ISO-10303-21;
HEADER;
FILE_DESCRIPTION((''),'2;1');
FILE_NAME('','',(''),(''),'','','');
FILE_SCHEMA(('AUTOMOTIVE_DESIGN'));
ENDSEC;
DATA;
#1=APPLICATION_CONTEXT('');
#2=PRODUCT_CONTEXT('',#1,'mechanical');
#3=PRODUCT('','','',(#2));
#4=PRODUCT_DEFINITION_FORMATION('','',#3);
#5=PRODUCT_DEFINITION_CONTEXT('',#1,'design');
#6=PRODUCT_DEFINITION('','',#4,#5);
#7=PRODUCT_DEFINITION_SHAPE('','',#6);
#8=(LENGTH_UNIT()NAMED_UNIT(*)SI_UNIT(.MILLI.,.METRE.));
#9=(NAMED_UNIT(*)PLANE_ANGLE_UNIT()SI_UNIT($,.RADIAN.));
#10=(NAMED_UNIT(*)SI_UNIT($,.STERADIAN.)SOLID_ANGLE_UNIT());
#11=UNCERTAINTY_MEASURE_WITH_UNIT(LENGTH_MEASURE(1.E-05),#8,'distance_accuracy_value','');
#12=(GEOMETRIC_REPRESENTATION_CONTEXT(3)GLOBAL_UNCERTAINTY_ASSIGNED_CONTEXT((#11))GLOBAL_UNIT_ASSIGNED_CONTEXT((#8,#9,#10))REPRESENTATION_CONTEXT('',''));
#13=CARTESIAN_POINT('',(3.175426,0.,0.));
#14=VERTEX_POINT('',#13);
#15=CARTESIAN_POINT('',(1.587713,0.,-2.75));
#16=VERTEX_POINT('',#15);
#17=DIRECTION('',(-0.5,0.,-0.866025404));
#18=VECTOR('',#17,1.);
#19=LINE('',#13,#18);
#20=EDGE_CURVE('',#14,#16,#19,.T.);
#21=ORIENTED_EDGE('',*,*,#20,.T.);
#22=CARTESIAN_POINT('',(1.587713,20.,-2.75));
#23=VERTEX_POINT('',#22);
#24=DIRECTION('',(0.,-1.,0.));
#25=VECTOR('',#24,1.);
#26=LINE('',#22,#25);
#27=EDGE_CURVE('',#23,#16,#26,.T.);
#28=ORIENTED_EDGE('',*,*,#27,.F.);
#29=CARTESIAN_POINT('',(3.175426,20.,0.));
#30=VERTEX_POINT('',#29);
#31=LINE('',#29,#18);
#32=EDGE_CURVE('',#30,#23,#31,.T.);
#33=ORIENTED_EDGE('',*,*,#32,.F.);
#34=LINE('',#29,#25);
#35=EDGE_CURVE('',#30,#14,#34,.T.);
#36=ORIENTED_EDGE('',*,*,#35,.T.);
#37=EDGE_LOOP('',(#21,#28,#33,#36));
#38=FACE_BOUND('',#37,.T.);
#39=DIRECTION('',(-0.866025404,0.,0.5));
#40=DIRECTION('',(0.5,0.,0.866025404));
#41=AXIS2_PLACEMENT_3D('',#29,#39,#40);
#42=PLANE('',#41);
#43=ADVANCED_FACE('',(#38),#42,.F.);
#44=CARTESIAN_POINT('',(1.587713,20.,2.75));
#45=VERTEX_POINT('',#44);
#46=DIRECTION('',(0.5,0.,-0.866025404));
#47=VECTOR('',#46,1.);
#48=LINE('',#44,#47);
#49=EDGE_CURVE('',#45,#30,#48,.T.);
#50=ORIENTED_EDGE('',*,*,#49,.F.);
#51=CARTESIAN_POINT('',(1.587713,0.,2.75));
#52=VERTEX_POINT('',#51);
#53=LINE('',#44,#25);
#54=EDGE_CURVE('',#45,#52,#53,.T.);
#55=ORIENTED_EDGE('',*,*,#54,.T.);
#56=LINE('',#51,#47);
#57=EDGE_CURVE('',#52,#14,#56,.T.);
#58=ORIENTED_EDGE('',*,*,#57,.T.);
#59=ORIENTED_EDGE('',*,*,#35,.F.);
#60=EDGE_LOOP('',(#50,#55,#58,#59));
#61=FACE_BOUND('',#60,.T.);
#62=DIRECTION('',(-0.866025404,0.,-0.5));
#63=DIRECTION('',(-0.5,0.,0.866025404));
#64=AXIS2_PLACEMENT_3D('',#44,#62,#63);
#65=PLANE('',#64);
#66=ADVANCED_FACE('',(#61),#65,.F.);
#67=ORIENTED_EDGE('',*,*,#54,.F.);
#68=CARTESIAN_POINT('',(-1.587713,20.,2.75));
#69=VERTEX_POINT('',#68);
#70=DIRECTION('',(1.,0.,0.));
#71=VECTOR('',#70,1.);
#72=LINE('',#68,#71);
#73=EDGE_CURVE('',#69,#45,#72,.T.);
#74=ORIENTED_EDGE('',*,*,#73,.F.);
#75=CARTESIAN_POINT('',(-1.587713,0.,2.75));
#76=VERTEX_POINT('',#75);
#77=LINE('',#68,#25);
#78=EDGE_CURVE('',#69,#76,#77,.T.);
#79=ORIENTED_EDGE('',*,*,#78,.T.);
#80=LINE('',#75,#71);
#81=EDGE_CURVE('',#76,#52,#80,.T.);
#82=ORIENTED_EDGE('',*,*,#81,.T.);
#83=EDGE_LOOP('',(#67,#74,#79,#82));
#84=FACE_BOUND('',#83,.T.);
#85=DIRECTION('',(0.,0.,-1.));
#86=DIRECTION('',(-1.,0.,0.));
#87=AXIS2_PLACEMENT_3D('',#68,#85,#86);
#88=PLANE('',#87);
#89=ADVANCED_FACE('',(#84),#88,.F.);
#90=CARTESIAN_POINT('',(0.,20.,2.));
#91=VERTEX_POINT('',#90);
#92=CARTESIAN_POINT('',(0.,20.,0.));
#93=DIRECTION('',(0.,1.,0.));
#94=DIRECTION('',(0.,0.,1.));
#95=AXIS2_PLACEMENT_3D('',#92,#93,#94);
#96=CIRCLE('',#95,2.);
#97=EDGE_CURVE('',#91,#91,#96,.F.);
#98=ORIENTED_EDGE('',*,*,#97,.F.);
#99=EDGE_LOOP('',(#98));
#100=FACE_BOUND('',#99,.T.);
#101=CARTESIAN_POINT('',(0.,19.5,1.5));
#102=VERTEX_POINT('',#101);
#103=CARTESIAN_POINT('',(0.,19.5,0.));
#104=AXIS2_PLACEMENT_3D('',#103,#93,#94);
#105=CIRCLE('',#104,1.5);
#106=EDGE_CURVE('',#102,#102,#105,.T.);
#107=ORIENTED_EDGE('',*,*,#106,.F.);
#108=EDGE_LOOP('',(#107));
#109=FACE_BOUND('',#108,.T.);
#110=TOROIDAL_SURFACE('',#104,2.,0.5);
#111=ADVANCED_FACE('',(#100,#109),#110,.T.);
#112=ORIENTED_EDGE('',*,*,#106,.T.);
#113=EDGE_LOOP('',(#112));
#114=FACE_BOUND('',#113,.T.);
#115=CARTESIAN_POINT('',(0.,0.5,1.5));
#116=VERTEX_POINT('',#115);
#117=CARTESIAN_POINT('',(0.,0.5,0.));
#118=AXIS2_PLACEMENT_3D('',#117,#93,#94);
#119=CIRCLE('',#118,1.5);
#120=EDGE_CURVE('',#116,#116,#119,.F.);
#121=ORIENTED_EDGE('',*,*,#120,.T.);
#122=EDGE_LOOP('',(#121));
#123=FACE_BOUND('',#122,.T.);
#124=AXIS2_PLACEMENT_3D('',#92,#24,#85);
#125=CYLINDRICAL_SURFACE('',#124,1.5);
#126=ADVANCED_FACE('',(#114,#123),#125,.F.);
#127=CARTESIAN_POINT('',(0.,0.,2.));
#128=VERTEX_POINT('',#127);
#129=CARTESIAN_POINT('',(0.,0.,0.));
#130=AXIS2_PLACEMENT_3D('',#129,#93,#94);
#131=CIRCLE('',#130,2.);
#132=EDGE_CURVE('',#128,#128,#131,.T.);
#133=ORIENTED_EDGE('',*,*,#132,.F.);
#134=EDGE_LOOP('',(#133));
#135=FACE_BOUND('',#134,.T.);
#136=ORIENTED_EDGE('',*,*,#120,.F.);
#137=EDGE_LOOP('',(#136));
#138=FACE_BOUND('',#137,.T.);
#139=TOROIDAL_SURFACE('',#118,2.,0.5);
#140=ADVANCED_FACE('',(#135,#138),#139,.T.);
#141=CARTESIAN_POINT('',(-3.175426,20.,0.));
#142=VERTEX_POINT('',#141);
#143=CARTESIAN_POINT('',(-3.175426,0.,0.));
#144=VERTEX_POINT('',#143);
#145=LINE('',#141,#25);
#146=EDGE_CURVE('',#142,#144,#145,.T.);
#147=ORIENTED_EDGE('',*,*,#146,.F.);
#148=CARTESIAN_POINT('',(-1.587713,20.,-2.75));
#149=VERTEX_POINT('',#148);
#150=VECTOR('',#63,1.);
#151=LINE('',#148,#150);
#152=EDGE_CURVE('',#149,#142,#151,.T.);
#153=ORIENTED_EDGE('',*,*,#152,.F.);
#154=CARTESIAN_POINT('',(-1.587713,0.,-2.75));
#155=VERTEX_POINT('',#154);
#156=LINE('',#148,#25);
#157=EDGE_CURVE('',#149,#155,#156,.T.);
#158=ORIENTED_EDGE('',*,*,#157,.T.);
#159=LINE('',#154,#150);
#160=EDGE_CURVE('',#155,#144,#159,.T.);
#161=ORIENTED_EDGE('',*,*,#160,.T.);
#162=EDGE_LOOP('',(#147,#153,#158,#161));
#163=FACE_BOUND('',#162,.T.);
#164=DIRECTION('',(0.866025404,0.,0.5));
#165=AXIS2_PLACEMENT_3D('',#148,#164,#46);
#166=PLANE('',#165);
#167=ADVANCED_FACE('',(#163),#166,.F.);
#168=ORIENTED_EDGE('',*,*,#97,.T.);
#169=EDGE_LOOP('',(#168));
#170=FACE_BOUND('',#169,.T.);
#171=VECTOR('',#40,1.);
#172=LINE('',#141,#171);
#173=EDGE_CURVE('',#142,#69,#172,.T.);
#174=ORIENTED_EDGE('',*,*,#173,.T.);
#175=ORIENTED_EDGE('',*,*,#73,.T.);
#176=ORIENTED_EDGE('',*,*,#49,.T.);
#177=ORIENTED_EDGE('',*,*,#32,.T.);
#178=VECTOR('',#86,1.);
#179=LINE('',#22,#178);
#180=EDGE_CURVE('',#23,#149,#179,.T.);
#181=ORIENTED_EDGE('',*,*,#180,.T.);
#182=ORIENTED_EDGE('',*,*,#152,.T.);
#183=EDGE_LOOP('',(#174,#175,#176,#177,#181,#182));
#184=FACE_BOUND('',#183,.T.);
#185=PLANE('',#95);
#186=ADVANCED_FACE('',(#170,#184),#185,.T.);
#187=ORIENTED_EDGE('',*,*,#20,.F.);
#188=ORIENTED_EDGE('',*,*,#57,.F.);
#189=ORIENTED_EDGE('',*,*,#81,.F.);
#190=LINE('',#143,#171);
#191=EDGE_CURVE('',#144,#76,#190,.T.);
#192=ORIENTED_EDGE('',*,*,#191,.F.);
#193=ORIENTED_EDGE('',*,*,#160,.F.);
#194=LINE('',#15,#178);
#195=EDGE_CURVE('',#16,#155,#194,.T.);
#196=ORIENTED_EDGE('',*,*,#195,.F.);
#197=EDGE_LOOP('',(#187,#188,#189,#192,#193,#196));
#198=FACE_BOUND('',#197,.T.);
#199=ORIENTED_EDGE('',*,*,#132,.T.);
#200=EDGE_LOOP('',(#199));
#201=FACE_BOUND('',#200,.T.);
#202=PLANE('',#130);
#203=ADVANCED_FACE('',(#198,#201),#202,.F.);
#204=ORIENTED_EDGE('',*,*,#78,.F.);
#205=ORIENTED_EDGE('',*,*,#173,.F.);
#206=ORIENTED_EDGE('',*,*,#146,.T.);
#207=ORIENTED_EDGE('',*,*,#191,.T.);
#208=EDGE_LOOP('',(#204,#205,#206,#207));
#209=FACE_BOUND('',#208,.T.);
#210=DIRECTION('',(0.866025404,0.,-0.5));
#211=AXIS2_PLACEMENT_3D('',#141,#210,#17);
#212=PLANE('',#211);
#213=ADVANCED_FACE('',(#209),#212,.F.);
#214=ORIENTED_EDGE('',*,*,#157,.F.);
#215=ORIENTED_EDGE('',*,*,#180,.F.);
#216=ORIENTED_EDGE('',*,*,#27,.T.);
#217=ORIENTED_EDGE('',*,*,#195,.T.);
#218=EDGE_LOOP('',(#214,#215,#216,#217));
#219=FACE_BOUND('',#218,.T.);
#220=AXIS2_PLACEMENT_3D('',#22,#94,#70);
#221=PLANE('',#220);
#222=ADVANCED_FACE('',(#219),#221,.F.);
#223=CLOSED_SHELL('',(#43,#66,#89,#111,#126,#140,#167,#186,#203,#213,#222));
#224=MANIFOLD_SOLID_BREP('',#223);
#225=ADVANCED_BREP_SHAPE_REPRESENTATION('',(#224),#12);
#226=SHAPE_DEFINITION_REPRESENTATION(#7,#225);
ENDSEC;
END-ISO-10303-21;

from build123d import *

# Parameters (mm, degrees)
SKETCH1_R           = 1.5
BOSS_EXTRUDE1_DEPTH = 20
FILLET1_R           = 0.5


with BuildPart() as part:
    # Sketch1 → Boss-Extrude1 (new body)
    with BuildSketch(Plane(origin=(0, 0, 0), x_dir=(1, 0, 0), z_dir=(0, 1, 0))):
        Polygon((-3.175426481, 0), (-1.58771324, -2.75), (1.58771324, -2.75), (3.175426481, 0), (1.58771324, 2.75), (-1.58771324, 2.75), align=None)
        with Locations(Location((0, 0, 0), (0, 0, 270))):
            Circle(SKETCH1_R, mode=Mode.SUBTRACT)
    extrude(amount=BOSS_EXTRUDE1_DEPTH)

    # Fillet1
    fillet1_edges = [part.edges().sort_by_distance(p)[0] for p in [
        (0, 0, -1.5),
        (0, 20, -1.5),
    ]]
    fillet(fillet1_edges, radius=FILLET1_R)


solid = part.part
